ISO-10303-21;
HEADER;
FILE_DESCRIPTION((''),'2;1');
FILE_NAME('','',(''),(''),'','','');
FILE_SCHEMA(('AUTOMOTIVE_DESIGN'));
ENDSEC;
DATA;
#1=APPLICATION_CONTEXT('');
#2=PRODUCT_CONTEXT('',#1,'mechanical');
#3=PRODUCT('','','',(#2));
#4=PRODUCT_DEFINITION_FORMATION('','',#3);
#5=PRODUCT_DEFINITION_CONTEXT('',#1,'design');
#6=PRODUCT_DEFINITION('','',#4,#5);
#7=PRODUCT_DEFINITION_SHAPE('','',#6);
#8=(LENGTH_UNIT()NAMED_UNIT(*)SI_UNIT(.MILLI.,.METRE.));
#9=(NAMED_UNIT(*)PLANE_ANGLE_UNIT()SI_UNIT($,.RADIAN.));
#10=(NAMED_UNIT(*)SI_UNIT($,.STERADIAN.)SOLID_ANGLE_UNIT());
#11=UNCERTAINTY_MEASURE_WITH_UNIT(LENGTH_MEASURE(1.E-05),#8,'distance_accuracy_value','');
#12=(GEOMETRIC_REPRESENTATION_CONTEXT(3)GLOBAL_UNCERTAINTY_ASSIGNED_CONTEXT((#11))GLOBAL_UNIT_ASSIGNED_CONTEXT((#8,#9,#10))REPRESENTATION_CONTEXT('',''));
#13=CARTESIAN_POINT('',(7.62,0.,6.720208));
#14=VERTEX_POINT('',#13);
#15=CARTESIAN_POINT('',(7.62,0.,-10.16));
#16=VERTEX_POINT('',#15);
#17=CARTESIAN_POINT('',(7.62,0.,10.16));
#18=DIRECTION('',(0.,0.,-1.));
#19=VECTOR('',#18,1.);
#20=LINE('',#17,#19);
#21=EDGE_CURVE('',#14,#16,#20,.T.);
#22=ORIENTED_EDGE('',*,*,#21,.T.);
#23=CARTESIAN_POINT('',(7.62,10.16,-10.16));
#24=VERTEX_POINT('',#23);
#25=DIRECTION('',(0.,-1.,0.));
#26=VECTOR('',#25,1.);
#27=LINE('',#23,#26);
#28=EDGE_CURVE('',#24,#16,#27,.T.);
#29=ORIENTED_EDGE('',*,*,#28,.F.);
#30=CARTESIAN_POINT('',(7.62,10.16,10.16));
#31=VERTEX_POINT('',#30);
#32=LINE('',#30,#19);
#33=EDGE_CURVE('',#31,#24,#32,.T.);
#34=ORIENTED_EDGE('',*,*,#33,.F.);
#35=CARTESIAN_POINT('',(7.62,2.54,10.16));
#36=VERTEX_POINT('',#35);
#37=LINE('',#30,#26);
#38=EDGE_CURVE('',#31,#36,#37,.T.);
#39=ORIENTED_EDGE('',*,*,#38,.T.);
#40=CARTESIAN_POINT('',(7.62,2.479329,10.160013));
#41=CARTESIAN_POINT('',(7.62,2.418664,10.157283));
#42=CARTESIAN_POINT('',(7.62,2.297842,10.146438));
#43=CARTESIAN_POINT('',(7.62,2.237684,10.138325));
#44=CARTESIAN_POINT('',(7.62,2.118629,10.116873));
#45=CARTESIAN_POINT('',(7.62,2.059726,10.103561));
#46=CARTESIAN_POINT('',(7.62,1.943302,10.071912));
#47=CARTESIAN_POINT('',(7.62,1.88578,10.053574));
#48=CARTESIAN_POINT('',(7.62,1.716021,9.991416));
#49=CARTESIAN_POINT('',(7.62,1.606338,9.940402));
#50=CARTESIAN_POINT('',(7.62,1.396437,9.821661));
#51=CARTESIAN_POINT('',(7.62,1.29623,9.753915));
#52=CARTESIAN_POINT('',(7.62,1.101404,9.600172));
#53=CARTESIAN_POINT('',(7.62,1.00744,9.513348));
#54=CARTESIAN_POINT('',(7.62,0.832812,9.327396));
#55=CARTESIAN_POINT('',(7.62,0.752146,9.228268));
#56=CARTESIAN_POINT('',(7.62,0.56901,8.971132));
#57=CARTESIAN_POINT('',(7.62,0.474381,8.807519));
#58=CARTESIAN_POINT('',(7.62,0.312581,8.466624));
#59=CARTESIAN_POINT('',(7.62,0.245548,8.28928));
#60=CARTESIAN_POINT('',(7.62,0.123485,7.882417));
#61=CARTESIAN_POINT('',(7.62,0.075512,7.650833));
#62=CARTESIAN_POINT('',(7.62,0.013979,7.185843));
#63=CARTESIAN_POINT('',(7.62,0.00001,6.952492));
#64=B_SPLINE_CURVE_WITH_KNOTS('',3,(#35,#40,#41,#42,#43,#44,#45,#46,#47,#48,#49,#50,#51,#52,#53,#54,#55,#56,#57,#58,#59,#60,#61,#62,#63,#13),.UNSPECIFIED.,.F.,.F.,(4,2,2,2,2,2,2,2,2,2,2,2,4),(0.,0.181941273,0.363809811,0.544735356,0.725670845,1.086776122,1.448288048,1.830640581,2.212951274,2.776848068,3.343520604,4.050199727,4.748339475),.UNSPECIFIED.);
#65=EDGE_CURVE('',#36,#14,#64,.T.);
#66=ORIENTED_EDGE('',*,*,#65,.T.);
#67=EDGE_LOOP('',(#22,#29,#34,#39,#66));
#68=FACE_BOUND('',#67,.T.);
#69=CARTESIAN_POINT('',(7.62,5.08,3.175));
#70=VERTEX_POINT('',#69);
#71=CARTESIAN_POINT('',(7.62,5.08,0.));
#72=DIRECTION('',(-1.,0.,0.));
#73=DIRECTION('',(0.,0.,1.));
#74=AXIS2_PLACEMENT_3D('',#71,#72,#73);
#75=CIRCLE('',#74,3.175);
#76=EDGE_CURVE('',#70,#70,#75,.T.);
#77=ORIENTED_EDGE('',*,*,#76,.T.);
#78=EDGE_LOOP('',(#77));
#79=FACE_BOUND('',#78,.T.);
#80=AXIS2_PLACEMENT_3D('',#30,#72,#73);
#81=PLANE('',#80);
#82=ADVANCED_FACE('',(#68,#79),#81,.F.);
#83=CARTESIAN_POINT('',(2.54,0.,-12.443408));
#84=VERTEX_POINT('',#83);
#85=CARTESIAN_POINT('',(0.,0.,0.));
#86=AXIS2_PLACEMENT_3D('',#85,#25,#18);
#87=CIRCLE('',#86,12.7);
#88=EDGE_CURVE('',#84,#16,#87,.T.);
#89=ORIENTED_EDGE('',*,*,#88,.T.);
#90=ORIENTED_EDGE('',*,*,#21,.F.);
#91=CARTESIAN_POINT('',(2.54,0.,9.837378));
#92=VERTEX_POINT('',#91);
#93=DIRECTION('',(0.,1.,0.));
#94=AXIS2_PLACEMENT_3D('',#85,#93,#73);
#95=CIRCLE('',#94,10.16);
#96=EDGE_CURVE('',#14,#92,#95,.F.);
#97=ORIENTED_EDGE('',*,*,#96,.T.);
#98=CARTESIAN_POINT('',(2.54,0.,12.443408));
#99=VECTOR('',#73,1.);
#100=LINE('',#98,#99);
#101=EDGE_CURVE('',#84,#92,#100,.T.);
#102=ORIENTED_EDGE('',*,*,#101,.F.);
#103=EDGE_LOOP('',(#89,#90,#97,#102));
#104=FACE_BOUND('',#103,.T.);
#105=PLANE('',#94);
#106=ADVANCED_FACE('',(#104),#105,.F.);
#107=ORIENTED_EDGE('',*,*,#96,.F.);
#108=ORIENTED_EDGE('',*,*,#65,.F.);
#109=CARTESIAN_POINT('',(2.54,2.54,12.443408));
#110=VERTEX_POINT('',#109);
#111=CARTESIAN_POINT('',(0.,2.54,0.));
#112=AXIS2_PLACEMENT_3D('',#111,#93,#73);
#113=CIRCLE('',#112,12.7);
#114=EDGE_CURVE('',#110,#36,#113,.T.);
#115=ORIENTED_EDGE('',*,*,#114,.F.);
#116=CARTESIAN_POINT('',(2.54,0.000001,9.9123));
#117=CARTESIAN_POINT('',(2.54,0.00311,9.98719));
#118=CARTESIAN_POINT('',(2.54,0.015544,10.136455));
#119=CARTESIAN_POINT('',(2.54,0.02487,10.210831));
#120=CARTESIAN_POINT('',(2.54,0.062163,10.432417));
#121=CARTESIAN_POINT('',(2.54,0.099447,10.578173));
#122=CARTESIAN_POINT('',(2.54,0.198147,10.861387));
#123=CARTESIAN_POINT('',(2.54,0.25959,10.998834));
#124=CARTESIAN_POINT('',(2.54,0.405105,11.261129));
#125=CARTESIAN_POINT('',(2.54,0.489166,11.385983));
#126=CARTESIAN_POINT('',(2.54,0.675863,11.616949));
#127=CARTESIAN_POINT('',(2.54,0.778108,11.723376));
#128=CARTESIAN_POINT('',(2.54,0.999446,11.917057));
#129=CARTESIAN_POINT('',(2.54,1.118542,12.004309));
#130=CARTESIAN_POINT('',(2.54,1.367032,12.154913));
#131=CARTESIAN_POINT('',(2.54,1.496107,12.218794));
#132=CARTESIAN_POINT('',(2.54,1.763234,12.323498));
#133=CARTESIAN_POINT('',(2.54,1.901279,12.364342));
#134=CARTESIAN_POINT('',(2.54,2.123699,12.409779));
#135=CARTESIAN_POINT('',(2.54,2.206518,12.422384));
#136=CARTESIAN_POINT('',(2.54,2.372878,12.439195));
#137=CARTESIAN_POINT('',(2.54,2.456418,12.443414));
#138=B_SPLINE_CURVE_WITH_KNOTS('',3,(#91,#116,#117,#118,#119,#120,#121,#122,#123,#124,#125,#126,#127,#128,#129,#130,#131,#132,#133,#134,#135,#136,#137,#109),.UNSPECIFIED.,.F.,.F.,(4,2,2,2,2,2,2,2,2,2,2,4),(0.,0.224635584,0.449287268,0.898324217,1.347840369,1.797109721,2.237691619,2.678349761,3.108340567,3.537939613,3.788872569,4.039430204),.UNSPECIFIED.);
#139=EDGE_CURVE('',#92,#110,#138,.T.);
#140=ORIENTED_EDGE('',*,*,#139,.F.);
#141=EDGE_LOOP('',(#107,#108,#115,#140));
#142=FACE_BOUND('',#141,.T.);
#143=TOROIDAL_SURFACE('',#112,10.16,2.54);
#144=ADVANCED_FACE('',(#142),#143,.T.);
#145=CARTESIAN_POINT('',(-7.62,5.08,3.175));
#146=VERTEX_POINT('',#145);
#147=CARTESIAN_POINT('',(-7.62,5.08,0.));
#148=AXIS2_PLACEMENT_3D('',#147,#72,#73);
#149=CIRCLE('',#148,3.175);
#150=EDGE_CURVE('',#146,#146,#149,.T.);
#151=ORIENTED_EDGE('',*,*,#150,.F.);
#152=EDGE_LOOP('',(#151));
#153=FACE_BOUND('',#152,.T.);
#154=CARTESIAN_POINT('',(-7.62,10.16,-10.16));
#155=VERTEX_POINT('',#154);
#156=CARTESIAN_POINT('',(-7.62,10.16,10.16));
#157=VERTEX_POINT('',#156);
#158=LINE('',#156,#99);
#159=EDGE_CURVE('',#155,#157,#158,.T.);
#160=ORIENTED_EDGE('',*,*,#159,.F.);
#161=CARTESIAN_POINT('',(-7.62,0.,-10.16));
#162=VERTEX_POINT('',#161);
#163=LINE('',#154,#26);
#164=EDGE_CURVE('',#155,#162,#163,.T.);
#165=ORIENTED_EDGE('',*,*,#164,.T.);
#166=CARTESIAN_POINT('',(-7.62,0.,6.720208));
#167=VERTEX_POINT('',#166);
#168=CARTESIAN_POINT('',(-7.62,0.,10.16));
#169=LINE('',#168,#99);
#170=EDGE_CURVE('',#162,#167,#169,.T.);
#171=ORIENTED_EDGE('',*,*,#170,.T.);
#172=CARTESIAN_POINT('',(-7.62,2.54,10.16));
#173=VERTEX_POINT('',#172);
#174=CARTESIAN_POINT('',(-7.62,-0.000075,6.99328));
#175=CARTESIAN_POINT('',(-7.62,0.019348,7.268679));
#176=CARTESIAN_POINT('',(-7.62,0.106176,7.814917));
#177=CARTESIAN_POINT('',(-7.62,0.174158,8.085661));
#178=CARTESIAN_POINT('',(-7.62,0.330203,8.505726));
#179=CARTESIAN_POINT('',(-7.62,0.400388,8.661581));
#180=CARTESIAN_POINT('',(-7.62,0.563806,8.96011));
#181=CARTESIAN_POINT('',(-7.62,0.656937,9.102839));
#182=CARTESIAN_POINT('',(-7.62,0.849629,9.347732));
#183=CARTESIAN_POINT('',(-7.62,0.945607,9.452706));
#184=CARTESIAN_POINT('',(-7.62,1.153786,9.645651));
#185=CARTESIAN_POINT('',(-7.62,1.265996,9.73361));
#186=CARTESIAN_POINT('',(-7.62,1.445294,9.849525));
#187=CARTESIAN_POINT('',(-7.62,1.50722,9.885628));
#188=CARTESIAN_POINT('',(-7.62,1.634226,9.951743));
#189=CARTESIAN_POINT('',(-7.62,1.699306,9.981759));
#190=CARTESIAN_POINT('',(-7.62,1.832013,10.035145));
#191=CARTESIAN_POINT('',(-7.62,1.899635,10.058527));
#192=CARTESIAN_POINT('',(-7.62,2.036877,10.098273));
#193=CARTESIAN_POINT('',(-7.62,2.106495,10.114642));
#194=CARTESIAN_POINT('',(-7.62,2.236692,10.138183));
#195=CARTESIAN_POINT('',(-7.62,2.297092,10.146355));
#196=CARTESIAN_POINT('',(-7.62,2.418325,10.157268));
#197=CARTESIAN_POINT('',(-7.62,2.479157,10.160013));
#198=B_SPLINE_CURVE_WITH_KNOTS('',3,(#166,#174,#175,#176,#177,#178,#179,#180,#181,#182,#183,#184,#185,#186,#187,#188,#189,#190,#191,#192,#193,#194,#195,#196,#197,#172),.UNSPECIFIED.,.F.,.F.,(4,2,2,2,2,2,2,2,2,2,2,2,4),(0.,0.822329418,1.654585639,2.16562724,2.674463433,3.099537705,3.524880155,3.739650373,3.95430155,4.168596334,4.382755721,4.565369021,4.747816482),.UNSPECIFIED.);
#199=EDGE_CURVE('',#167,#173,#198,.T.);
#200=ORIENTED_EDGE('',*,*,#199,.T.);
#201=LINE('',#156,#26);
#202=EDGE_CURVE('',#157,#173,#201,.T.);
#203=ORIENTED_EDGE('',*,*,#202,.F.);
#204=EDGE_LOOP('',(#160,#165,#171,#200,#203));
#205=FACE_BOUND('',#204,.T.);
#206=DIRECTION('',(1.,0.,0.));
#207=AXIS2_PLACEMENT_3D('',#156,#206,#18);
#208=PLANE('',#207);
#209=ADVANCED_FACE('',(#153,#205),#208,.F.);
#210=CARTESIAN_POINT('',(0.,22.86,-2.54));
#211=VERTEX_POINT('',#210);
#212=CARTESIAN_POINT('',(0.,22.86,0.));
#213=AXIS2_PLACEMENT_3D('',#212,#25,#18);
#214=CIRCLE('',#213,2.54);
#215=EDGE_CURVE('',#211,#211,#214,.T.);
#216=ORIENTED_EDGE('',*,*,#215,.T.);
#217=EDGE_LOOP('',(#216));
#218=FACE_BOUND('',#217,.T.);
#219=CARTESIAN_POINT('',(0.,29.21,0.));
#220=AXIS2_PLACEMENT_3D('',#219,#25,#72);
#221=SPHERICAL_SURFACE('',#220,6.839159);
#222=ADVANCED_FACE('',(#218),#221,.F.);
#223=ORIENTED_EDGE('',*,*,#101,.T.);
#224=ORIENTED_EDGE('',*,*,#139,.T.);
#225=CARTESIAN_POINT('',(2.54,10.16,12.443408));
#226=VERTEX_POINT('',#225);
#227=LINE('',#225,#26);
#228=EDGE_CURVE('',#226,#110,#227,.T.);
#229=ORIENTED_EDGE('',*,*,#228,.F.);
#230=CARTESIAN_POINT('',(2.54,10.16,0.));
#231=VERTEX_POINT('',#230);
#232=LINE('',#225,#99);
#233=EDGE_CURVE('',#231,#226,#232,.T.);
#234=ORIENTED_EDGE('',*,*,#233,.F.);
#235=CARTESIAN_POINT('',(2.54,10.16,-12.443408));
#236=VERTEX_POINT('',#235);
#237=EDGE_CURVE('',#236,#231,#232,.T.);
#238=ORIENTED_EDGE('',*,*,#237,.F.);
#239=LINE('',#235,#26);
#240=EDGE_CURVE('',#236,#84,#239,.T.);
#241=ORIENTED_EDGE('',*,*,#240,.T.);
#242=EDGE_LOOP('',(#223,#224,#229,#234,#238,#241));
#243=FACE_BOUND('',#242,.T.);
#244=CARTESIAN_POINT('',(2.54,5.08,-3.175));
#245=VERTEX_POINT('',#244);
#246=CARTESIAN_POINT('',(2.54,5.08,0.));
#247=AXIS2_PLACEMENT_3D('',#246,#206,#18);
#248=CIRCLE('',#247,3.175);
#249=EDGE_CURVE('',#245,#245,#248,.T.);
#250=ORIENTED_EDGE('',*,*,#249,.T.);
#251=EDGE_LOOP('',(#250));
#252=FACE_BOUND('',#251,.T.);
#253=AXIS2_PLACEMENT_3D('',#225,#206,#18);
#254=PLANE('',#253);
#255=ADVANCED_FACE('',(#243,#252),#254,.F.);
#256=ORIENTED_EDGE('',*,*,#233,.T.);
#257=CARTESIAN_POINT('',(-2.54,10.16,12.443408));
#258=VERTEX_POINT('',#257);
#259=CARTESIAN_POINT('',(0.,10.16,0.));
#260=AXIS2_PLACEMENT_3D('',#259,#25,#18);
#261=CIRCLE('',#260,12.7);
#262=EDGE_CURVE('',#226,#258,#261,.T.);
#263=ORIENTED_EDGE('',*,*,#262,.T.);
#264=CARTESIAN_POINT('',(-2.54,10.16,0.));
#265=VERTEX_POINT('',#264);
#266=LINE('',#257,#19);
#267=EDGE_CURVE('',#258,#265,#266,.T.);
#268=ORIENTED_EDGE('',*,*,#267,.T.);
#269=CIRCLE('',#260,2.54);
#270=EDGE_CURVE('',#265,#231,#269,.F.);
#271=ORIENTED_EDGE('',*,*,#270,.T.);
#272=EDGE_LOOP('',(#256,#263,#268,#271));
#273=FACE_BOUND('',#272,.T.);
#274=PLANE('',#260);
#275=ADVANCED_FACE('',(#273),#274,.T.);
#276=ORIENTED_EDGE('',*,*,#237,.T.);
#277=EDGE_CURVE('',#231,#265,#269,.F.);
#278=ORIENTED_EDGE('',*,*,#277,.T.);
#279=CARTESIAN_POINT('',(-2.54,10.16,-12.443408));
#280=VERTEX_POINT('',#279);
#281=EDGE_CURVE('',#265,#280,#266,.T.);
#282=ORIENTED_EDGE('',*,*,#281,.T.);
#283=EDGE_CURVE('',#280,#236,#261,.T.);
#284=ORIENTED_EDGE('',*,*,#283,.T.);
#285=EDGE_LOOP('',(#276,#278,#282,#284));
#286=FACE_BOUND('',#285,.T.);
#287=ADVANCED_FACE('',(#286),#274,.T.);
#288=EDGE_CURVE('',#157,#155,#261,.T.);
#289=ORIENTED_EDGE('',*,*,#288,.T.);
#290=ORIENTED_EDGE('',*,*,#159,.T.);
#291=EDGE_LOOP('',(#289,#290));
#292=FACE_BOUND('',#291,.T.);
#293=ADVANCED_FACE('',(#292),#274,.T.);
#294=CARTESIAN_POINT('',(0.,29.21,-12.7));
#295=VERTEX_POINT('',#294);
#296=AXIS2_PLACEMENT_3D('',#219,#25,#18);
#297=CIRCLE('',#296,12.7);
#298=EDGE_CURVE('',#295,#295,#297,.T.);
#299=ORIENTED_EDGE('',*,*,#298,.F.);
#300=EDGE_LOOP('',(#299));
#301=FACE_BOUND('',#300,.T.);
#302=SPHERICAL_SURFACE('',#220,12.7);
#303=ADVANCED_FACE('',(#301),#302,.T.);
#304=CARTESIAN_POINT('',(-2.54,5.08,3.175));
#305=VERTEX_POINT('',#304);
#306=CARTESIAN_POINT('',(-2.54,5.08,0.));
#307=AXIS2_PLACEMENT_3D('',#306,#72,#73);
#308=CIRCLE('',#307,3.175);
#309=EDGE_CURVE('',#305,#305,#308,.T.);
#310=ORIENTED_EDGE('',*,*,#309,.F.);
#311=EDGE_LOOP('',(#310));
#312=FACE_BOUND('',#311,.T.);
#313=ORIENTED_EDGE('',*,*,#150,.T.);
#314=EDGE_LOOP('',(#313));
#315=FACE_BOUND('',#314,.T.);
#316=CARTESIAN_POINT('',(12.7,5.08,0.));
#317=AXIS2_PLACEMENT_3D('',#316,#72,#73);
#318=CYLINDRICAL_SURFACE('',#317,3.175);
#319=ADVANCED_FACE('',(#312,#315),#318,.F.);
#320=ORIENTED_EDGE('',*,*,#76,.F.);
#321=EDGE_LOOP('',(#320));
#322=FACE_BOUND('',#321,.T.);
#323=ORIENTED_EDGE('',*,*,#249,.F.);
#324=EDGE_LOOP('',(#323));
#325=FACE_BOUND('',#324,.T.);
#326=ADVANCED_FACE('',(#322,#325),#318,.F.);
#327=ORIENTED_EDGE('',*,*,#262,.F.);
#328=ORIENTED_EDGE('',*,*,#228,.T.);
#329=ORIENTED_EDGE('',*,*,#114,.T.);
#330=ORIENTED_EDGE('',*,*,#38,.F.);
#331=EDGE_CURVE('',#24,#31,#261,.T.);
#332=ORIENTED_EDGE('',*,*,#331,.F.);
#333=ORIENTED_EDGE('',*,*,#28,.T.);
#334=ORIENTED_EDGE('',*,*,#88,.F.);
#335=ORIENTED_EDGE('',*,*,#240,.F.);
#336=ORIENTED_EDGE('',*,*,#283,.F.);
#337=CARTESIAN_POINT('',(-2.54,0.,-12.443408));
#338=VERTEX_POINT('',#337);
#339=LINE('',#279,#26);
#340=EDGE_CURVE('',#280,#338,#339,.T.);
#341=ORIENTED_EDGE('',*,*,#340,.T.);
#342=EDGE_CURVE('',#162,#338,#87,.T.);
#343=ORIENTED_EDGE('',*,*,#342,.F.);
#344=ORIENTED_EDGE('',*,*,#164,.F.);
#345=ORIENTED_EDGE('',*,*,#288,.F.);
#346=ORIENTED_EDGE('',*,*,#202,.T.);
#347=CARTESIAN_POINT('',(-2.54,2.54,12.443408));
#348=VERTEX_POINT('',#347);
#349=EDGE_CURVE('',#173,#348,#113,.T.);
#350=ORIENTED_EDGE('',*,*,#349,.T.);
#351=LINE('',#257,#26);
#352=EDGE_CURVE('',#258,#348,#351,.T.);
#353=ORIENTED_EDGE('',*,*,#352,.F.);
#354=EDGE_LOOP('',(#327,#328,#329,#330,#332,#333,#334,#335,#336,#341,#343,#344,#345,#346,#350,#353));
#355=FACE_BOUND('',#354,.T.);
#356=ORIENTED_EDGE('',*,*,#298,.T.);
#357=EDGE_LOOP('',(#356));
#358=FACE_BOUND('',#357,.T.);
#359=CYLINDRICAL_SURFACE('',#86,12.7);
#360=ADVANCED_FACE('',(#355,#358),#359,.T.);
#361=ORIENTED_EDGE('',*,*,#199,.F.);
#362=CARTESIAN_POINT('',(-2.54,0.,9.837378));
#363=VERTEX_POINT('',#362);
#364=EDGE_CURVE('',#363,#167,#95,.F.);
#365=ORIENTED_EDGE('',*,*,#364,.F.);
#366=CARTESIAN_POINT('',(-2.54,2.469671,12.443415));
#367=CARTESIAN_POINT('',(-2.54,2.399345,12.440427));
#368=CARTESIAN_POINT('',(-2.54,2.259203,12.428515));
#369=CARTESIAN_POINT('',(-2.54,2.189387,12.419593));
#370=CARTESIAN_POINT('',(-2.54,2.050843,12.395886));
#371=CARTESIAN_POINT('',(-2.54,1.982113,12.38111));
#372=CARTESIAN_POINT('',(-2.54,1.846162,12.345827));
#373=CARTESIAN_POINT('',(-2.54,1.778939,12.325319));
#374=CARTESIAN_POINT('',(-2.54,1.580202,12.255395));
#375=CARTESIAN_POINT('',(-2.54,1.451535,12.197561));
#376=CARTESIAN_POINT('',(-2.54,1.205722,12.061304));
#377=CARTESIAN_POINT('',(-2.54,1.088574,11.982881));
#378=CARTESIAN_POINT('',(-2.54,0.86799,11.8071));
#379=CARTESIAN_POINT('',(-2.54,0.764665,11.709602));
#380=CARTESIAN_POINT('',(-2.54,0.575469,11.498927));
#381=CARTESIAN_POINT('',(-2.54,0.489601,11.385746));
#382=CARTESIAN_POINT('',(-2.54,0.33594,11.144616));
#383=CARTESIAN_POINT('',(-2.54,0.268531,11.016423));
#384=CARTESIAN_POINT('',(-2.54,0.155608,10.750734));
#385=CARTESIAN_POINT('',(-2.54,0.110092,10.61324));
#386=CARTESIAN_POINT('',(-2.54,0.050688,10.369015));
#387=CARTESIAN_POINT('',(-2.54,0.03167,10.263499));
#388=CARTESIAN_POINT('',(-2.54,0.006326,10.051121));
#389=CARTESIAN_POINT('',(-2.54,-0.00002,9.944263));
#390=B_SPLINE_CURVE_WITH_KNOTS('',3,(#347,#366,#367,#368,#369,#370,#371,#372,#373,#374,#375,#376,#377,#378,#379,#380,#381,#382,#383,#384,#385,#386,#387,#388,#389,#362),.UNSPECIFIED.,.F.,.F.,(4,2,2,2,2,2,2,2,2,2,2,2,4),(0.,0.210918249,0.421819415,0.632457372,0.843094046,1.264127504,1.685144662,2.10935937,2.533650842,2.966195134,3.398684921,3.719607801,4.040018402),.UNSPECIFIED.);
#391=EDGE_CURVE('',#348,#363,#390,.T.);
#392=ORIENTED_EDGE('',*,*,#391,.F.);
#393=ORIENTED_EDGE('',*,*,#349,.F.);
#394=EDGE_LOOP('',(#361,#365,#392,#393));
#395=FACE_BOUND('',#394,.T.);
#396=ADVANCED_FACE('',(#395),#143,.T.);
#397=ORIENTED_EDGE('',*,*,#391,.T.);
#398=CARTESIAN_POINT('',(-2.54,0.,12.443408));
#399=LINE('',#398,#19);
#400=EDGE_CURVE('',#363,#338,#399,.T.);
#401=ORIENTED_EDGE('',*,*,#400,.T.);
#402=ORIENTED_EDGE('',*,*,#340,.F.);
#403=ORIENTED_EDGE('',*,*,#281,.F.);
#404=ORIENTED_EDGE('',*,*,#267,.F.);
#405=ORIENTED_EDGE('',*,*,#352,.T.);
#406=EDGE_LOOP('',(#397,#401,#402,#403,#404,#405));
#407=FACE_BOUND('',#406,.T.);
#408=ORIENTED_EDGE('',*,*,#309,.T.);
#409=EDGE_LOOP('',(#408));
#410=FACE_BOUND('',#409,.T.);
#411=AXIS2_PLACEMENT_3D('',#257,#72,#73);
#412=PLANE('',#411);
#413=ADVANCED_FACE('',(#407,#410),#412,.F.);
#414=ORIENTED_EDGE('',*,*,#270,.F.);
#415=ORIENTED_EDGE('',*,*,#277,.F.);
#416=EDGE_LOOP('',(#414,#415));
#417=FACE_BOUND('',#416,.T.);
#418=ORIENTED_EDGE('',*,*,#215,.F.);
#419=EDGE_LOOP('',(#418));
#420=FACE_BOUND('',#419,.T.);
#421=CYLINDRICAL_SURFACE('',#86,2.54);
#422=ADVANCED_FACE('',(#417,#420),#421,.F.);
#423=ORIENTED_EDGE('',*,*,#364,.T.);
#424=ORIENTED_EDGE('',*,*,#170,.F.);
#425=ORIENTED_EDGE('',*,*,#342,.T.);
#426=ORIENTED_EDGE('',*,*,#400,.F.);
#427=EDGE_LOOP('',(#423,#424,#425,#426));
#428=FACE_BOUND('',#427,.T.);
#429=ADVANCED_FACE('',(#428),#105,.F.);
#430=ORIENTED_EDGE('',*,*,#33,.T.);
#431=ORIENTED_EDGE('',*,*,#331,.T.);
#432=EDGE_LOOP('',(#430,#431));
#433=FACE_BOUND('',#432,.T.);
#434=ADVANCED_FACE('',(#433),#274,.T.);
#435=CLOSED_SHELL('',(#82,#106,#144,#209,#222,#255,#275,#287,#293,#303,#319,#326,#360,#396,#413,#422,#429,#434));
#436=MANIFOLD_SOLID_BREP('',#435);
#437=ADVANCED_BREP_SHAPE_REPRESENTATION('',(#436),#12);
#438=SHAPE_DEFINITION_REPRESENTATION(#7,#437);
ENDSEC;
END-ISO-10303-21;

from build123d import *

# Parameters (mm, degrees)
CUT_EXTRUDE1_DEPTH = 10.16
SKETCH3_R          = 3.175
CUT_EXTRUDE2_DEPTH = 49.276707634
FILLET1_R          = 2.54


with BuildPart() as part:
    # Sketch1 → Revolve1 (revolve)
    with BuildSketch(Plane.XY):
        with BuildLine():
            Line((0, 0), (0, 5.602635041))
            Line((0, 5.602635041), (-2.54, 5.602635041))
            Line((-2.54, 5.602635041), (-2.54, 22.86))
            ThreePointArc((-2.54, 22.86), (-6.715756159, 30.503336463), (0, 36.049159305))
            Line((0, 36.049159305), (0, 41.91))
            ThreePointArc((0, 41.91), (-8.980256121, 38.190256121), (-12.7, 29.21))
            Line((-12.7, 29.21), (-12.7, 0))
            Line((-12.7, 0), (0, 0))
        make_face()
    revolve(axis=Axis((0, 0, 0), (0, 1, 0)))

    # Sketch2 → Cut-Extrude1 (cut)
    with BuildSketch(Plane.XZ):
        with BuildLine():
            Line((-2.54, 12.443407893), (-2.54, -12.443407893))
            ThreePointArc((-2.54, -12.443407893), (0, -12.7), (2.54, -12.443407893))
            Line((2.54, -12.443407893), (2.54, 12.443407893))
            ThreePointArc((2.54, 12.443407893), (0, 12.7), (-2.54, 12.443407893))
        make_face()
        with BuildLine():
            Line((-7.62, 10.16), (-7.62, -10.16))
            ThreePointArc((-7.62, -10.16), (-12.7, 0), (-7.62, 10.16))
        make_face()
        with BuildLine():
            Line((7.62, 10.16), (7.62, -10.16))
            ThreePointArc((7.62, -10.16), (12.7, 0), (7.62, 10.16))
        make_face()
    extrude(amount=-CUT_EXTRUDE1_DEPTH, mode=Mode.SUBTRACT)

    # Sketch3 → Cut-Extrude2 (cut, through all)
    with BuildSketch(Plane.ZY.offset(7.62)):
        with Locations((0, 5.08)):
            Circle(SKETCH3_R)
    extrude(amount=-CUT_EXTRUDE2_DEPTH, mode=Mode.SUBTRACT)

    # Fillet1
    fillet1_edges = [part.edges().sort_by_distance(p)[0] for p in [
        (5.206715654, 0, 11.583613948),
        (-5.206715654, 0, 11.583613948),
    ]]
    fillet(fillet1_edges, radius=FILLET1_R)


solid = part.part
